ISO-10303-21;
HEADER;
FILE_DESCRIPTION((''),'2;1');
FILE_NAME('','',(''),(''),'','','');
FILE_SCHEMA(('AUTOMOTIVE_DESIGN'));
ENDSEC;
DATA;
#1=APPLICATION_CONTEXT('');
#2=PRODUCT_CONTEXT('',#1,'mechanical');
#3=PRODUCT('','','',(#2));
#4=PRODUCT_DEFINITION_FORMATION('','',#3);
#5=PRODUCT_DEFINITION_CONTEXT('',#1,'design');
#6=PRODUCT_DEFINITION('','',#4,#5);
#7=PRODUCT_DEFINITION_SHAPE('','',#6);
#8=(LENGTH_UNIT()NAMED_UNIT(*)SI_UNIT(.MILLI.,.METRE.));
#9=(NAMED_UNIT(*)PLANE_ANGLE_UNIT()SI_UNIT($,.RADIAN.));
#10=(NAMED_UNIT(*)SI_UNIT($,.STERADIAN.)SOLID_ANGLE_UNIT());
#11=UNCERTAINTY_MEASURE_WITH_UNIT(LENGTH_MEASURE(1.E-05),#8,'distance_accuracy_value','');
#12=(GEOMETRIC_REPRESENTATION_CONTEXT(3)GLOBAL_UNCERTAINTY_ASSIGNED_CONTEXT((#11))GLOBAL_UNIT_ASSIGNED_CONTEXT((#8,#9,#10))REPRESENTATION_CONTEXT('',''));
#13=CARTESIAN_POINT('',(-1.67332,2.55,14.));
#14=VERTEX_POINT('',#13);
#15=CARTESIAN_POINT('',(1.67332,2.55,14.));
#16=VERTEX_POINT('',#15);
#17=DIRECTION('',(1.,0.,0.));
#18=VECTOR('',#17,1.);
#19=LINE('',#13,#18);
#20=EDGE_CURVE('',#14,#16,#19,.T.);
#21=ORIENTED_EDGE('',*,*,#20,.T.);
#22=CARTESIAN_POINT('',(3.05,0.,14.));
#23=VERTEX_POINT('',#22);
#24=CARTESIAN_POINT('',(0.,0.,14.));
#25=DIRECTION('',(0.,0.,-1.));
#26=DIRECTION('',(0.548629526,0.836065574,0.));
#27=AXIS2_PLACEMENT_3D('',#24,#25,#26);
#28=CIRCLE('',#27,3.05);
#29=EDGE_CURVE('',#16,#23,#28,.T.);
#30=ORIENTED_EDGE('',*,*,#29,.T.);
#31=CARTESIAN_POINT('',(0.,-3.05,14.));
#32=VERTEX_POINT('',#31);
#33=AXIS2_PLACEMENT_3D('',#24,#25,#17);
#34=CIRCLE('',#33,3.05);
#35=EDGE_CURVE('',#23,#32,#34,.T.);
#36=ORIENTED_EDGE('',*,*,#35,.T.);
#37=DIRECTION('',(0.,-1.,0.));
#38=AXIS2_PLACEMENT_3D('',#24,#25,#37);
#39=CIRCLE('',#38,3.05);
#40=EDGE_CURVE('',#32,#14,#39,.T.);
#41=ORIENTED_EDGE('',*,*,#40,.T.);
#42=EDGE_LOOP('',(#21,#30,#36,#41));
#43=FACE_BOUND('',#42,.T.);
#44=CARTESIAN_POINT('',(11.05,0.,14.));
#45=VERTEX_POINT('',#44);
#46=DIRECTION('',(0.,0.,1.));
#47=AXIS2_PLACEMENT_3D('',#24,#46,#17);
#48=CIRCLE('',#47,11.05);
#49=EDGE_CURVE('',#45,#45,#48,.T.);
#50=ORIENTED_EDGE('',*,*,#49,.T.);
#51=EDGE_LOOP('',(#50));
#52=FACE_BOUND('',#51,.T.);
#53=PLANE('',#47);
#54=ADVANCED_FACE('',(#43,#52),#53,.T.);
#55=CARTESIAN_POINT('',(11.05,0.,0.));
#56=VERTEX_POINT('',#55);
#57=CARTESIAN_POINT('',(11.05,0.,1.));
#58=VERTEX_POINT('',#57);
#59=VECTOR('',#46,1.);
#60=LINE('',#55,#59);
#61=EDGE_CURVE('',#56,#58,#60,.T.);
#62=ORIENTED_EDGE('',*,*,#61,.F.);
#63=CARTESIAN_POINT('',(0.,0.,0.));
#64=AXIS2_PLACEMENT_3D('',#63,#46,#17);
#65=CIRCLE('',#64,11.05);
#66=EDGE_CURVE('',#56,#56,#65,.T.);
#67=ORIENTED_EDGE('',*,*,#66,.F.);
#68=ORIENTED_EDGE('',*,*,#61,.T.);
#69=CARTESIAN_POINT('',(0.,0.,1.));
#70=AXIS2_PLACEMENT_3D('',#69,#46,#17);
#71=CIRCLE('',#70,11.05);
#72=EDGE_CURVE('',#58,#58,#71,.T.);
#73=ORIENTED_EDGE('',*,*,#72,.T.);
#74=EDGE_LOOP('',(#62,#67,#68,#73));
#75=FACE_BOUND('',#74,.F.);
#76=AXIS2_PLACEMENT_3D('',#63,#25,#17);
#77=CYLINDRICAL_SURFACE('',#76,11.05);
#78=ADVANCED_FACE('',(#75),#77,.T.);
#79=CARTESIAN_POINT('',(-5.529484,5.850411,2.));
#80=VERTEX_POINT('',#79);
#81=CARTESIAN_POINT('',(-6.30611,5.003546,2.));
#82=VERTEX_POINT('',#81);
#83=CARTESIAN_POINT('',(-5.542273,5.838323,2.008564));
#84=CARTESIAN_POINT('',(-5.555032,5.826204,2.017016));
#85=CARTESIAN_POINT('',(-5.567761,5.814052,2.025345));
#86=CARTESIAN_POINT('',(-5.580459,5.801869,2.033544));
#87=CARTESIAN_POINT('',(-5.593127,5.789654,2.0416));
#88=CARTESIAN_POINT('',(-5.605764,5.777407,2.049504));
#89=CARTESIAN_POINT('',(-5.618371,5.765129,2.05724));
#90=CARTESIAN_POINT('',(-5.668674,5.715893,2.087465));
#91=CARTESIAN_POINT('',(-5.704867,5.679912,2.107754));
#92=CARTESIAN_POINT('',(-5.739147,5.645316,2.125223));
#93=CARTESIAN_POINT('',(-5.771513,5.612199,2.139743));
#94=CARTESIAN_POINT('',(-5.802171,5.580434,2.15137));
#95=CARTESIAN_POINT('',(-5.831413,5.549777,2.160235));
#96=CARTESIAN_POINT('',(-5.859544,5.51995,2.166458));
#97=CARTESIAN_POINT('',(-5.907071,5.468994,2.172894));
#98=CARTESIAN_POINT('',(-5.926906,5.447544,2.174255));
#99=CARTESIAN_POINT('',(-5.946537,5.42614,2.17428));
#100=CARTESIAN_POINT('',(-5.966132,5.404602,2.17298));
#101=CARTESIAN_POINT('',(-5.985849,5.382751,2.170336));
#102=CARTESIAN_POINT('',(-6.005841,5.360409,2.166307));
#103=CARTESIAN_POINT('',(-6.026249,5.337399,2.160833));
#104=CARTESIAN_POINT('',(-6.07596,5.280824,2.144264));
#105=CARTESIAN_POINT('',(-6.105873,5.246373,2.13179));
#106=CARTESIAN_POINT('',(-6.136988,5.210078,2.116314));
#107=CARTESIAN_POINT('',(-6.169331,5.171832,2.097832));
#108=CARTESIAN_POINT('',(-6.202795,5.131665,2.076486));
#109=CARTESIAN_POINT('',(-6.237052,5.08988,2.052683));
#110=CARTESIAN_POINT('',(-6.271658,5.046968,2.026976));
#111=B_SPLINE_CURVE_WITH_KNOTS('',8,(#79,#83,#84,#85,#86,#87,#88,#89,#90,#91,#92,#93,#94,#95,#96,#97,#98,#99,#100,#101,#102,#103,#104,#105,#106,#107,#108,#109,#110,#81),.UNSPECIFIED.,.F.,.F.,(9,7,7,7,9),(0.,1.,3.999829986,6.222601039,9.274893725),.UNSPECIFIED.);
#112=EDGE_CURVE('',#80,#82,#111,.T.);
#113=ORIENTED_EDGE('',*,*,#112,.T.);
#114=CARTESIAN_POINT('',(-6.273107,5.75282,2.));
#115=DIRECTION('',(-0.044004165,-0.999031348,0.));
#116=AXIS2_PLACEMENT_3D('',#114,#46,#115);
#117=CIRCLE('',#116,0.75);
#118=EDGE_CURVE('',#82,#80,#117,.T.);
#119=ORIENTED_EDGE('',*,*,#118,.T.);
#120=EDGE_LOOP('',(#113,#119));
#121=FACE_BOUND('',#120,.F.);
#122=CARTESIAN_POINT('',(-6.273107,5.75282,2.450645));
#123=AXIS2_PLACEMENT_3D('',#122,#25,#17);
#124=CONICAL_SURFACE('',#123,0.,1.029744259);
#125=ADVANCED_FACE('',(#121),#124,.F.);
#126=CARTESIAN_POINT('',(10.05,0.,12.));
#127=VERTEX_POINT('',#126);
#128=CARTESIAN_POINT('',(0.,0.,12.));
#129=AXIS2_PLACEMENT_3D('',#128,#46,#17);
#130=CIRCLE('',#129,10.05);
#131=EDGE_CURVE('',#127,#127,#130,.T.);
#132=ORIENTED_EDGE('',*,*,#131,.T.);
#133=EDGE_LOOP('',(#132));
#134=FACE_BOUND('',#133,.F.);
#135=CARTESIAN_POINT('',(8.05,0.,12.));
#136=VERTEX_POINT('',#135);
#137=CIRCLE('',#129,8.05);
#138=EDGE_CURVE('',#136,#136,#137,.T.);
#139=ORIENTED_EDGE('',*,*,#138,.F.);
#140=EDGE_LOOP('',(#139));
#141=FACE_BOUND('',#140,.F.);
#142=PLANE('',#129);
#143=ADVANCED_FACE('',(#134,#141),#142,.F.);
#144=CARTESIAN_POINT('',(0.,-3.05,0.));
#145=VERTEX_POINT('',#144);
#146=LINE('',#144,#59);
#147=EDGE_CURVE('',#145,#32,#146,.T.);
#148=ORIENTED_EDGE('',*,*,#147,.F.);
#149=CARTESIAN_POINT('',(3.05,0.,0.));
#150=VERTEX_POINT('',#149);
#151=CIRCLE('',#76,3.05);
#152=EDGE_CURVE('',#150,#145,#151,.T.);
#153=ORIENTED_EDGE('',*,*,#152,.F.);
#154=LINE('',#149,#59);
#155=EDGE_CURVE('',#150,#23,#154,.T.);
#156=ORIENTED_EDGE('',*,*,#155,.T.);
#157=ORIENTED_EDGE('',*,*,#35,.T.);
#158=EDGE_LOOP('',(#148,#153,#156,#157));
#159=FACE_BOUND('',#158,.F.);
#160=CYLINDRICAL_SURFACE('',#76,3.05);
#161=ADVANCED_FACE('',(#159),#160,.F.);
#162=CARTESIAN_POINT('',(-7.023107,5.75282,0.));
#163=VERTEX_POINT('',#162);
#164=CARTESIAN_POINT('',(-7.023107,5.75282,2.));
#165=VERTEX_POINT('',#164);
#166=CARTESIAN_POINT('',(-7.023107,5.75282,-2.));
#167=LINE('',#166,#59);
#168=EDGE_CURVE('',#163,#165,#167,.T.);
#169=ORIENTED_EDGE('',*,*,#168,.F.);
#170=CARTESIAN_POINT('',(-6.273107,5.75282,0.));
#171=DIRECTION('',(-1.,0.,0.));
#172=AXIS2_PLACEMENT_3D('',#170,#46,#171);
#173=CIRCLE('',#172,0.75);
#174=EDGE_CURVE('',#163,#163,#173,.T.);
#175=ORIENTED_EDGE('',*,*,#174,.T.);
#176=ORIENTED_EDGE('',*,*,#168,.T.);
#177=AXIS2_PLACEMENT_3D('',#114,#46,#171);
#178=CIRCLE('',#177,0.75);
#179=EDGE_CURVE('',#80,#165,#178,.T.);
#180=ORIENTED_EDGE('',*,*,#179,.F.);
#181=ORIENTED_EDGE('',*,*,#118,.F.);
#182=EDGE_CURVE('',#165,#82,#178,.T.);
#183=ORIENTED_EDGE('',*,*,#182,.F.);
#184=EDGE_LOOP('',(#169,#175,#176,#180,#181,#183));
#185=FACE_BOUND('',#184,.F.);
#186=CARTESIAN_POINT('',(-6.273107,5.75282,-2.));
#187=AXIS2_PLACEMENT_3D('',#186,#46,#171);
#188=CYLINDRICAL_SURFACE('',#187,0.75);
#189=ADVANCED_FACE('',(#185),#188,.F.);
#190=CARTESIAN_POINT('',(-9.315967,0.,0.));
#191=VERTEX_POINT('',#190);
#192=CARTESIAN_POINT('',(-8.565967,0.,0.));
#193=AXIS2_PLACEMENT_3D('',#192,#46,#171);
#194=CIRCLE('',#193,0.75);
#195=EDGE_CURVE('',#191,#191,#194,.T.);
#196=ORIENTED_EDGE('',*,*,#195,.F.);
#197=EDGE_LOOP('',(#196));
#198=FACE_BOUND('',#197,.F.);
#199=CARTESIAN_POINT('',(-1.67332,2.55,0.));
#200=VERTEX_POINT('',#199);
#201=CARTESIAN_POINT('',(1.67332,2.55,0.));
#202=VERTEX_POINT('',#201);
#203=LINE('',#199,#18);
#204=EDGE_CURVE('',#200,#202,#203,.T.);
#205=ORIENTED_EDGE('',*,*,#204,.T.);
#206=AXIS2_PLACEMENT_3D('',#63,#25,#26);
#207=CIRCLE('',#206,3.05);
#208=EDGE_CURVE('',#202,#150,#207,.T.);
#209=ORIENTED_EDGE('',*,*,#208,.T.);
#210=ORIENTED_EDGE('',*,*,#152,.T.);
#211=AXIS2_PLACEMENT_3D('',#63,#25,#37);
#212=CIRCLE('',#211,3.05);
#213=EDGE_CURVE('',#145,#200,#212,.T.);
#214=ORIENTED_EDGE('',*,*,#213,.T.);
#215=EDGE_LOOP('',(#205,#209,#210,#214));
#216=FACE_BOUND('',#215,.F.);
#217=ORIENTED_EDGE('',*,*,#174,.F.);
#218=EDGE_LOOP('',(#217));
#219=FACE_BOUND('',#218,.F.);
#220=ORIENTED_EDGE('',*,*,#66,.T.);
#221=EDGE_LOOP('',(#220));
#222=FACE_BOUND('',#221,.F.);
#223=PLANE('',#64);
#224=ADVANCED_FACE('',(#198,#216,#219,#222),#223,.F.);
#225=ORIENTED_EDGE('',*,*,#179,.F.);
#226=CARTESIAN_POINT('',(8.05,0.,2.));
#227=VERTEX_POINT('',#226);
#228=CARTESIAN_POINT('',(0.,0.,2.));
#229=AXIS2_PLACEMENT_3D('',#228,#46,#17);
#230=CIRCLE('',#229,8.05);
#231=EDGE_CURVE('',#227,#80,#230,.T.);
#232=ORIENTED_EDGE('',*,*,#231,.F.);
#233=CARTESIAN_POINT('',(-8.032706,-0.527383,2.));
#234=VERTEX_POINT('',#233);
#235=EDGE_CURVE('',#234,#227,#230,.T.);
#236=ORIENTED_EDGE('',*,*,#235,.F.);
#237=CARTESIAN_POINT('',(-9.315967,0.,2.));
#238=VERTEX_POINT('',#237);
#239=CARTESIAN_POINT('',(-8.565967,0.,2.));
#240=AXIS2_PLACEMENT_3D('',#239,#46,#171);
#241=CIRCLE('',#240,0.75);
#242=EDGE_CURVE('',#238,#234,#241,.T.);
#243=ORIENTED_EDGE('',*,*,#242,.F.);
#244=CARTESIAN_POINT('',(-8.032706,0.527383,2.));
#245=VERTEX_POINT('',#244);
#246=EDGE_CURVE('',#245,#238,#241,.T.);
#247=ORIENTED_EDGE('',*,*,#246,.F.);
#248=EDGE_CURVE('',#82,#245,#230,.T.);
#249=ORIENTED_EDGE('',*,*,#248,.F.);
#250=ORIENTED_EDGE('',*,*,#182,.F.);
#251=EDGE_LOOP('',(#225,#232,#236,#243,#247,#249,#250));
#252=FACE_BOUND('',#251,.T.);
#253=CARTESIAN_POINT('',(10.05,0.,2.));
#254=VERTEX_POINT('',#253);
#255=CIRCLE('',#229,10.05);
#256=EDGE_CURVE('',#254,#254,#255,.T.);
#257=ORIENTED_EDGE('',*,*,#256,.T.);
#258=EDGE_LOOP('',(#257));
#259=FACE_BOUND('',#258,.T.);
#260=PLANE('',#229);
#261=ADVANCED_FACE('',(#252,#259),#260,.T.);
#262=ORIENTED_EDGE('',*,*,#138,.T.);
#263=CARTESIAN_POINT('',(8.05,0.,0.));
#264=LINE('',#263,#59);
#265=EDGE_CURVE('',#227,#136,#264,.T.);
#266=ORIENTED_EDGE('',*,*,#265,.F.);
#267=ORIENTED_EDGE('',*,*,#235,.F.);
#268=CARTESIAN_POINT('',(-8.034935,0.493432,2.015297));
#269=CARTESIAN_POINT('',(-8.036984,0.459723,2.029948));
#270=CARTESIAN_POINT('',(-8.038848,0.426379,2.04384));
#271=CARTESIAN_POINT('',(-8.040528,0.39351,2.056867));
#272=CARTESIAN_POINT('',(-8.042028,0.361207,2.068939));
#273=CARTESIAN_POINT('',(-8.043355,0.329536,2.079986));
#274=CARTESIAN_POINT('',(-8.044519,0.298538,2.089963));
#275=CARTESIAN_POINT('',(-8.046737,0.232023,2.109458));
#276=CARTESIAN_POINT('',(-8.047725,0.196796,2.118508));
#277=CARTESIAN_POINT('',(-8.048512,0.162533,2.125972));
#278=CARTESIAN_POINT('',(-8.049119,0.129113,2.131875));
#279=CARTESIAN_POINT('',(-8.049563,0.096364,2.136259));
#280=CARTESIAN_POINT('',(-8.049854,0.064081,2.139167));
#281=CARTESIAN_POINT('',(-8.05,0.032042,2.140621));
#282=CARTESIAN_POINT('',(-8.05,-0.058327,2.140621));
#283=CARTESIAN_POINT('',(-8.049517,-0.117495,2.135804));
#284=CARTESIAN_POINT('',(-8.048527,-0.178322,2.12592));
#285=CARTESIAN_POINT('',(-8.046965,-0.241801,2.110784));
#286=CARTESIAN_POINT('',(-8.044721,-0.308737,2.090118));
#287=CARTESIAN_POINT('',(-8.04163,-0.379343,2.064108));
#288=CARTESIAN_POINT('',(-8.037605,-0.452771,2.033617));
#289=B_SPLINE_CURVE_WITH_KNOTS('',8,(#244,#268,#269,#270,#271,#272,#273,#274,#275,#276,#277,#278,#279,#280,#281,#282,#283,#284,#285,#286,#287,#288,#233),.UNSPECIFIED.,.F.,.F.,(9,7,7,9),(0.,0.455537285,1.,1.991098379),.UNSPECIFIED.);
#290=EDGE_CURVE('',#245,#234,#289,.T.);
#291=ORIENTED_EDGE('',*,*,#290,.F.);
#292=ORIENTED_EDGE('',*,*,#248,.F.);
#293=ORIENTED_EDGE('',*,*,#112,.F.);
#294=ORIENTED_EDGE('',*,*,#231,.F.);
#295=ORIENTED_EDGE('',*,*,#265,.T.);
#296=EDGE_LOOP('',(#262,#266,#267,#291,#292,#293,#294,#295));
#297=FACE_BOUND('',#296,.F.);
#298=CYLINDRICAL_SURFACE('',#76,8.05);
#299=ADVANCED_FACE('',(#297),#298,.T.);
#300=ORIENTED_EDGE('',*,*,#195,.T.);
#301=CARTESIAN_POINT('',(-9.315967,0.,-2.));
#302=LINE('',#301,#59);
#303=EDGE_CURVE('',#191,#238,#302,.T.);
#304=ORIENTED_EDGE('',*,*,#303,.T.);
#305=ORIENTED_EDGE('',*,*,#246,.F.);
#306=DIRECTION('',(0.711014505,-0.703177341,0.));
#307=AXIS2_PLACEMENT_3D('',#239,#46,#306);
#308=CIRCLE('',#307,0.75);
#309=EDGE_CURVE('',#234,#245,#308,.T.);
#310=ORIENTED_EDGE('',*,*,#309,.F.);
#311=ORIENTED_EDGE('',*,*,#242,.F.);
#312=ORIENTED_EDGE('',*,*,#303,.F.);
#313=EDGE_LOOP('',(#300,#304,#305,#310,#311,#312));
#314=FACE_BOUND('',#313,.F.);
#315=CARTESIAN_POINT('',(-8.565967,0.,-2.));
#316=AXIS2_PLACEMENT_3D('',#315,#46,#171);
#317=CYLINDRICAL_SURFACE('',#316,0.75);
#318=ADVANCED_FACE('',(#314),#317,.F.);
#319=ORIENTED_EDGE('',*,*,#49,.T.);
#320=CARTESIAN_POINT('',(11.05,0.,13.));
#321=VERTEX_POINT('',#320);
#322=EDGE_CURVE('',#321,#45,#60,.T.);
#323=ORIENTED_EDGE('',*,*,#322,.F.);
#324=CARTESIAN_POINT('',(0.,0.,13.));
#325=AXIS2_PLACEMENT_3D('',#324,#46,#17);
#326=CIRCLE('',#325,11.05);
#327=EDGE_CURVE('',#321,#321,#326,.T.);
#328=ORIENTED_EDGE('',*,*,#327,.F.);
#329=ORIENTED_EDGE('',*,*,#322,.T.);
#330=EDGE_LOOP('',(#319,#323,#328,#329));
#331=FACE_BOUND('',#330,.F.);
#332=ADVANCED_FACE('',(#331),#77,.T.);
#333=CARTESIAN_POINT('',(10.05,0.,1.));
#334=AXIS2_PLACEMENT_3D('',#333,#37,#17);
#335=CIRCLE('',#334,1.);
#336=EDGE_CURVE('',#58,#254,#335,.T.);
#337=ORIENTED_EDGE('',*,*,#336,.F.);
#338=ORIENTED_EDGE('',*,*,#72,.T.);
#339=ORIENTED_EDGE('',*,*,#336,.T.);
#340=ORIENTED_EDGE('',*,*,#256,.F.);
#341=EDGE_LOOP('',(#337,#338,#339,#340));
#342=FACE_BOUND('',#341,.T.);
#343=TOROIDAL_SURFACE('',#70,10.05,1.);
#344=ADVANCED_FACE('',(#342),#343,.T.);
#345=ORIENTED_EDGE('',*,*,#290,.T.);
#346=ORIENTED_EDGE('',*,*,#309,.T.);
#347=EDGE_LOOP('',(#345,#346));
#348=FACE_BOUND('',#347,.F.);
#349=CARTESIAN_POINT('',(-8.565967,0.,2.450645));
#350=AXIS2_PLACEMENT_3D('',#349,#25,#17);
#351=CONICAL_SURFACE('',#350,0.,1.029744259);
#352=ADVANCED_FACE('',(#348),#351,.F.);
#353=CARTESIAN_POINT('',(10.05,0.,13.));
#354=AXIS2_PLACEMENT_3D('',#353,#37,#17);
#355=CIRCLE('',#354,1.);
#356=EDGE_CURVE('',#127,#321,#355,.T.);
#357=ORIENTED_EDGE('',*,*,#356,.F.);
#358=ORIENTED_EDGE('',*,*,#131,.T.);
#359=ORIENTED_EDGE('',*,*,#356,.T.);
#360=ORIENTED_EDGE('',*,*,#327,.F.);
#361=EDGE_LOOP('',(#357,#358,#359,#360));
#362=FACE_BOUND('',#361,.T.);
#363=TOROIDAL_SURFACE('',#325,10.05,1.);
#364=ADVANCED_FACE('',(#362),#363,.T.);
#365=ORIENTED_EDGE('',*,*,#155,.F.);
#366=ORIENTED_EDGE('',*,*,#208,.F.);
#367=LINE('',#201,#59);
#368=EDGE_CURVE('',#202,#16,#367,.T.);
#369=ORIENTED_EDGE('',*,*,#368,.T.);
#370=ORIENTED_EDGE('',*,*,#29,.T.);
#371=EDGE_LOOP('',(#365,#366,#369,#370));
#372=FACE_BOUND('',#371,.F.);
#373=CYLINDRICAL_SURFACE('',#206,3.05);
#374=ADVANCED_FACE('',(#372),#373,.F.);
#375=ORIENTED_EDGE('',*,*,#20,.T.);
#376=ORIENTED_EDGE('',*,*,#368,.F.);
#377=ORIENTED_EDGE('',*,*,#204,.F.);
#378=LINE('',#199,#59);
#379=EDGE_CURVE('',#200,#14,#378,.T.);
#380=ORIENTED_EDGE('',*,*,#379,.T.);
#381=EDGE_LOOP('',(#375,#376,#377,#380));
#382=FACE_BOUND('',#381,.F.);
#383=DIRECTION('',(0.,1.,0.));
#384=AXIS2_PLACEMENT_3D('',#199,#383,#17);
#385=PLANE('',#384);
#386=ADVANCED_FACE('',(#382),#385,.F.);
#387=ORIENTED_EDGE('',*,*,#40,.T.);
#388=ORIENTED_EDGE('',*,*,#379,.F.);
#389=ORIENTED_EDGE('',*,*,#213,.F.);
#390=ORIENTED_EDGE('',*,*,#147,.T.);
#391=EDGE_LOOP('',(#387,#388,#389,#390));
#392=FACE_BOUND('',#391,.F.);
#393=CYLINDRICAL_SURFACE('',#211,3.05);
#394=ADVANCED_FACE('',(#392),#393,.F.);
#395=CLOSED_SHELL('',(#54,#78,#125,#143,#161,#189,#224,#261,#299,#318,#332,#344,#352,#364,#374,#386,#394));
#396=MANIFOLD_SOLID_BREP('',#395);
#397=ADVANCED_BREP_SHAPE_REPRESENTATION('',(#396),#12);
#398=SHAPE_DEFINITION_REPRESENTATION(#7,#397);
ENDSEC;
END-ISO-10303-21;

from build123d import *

# Parameters (mm, degrees)
F0_R     = 8.05
F1_DEPTH = 14
F0_R_2   = 11.05
F2_DEPTH = 14
F3_DEPTH = 12
F4_DEPTH = 2
F5_R     = 1
F6_D     = 1.5
F6_DEPTH = 2
F6_TIP   = 0.4506454643
F7_D     = 1.5
F7_DEPTH = 2
F7_TIP   = 0.4506454643


with BuildPart() as f1:
    # F0 (on Top) → F1 (new body)
    with BuildSketch(Plane.XY):
        Circle(F0_R)
        with BuildLine():
            ThreePointArc((1.6733200531, 2.55), (2.6838522837, 1.4489433802), (3.05, 0))
            ThreePointArc((3.05, 0), (2.1566756826, -2.1566756826), (0, -3.05))
            ThreePointArc((0, -3.05), (-2.9223278392, -0.8732124598), (-1.6733200531, 2.55))
            ThreePointArc((-1.6733200531, 2.55), (0, 3.05), (1.6733200531, 2.55))
        make_face(mode=Mode.SUBTRACT)
        with BuildLine():
            Line((0, 2.55), (1.6733200531, 2.55))
            ThreePointArc((1.6733200531, 2.55), (0, 3.05), (-1.6733200531, 2.55))
            Line((-1.6733200531, 2.55), (0, 2.55))
        make_face()
    extrude(amount=F1_DEPTH)

    # F0 (on Top) → F2 (join)
    with BuildSketch(Plane.XY):
        Circle(F0_R_2)
        Circle(F0_R, mode=Mode.SUBTRACT)
    extrude(amount=F2_DEPTH)

    # F0 (on Top) → F3 (cut)
    with BuildSketch(Plane.XY):
        Circle(F0_R_2)
        Circle(F0_R, mode=Mode.SUBTRACT)
    extrude(amount=F3_DEPTH, mode=Mode.SUBTRACT)

    # F0 (on Top) → F4 (join)
    with BuildSketch(Plane.XY):
        Circle(F0_R_2)
        Circle(F0_R, mode=Mode.SUBTRACT)
    extrude(amount=F4_DEPTH)

    # F5
    f5_edges = [f1.edges().sort_by_distance(p)[0] for p in [
        (-11.05, 0, 12),
        (-11.05, 0, 2),
    ]]
    fillet(f5_edges, radius=F5_R)

    # F6
    with Locations(Plane(origin=(0, 0, 0), x_dir=(1, 0, 0), z_dir=(0, 0, -1))):
        with Locations((-8.5659669712, 0)):
            Hole(F6_D / 2, depth=F6_DEPTH)
            with Locations((0, 0, -(F6_DEPTH + F6_TIP / 2))):  # 118° drill point
                Cone(0, F6_D / 2, F6_TIP, mode=Mode.SUBTRACT)

    # F7
    with Locations(Plane(origin=(0, 0, 0), x_dir=(1, 0, 0), z_dir=(0, 0, -1))):
        with Locations((-6.2731071375, -5.7528195903)):
            Hole(F7_D / 2, depth=F7_DEPTH)
            with Locations((0, 0, -(F7_DEPTH + F7_TIP / 2))):  # 118° drill point
                Cone(0, F7_D / 2, F7_TIP, mode=Mode.SUBTRACT)


solid = f1.part
